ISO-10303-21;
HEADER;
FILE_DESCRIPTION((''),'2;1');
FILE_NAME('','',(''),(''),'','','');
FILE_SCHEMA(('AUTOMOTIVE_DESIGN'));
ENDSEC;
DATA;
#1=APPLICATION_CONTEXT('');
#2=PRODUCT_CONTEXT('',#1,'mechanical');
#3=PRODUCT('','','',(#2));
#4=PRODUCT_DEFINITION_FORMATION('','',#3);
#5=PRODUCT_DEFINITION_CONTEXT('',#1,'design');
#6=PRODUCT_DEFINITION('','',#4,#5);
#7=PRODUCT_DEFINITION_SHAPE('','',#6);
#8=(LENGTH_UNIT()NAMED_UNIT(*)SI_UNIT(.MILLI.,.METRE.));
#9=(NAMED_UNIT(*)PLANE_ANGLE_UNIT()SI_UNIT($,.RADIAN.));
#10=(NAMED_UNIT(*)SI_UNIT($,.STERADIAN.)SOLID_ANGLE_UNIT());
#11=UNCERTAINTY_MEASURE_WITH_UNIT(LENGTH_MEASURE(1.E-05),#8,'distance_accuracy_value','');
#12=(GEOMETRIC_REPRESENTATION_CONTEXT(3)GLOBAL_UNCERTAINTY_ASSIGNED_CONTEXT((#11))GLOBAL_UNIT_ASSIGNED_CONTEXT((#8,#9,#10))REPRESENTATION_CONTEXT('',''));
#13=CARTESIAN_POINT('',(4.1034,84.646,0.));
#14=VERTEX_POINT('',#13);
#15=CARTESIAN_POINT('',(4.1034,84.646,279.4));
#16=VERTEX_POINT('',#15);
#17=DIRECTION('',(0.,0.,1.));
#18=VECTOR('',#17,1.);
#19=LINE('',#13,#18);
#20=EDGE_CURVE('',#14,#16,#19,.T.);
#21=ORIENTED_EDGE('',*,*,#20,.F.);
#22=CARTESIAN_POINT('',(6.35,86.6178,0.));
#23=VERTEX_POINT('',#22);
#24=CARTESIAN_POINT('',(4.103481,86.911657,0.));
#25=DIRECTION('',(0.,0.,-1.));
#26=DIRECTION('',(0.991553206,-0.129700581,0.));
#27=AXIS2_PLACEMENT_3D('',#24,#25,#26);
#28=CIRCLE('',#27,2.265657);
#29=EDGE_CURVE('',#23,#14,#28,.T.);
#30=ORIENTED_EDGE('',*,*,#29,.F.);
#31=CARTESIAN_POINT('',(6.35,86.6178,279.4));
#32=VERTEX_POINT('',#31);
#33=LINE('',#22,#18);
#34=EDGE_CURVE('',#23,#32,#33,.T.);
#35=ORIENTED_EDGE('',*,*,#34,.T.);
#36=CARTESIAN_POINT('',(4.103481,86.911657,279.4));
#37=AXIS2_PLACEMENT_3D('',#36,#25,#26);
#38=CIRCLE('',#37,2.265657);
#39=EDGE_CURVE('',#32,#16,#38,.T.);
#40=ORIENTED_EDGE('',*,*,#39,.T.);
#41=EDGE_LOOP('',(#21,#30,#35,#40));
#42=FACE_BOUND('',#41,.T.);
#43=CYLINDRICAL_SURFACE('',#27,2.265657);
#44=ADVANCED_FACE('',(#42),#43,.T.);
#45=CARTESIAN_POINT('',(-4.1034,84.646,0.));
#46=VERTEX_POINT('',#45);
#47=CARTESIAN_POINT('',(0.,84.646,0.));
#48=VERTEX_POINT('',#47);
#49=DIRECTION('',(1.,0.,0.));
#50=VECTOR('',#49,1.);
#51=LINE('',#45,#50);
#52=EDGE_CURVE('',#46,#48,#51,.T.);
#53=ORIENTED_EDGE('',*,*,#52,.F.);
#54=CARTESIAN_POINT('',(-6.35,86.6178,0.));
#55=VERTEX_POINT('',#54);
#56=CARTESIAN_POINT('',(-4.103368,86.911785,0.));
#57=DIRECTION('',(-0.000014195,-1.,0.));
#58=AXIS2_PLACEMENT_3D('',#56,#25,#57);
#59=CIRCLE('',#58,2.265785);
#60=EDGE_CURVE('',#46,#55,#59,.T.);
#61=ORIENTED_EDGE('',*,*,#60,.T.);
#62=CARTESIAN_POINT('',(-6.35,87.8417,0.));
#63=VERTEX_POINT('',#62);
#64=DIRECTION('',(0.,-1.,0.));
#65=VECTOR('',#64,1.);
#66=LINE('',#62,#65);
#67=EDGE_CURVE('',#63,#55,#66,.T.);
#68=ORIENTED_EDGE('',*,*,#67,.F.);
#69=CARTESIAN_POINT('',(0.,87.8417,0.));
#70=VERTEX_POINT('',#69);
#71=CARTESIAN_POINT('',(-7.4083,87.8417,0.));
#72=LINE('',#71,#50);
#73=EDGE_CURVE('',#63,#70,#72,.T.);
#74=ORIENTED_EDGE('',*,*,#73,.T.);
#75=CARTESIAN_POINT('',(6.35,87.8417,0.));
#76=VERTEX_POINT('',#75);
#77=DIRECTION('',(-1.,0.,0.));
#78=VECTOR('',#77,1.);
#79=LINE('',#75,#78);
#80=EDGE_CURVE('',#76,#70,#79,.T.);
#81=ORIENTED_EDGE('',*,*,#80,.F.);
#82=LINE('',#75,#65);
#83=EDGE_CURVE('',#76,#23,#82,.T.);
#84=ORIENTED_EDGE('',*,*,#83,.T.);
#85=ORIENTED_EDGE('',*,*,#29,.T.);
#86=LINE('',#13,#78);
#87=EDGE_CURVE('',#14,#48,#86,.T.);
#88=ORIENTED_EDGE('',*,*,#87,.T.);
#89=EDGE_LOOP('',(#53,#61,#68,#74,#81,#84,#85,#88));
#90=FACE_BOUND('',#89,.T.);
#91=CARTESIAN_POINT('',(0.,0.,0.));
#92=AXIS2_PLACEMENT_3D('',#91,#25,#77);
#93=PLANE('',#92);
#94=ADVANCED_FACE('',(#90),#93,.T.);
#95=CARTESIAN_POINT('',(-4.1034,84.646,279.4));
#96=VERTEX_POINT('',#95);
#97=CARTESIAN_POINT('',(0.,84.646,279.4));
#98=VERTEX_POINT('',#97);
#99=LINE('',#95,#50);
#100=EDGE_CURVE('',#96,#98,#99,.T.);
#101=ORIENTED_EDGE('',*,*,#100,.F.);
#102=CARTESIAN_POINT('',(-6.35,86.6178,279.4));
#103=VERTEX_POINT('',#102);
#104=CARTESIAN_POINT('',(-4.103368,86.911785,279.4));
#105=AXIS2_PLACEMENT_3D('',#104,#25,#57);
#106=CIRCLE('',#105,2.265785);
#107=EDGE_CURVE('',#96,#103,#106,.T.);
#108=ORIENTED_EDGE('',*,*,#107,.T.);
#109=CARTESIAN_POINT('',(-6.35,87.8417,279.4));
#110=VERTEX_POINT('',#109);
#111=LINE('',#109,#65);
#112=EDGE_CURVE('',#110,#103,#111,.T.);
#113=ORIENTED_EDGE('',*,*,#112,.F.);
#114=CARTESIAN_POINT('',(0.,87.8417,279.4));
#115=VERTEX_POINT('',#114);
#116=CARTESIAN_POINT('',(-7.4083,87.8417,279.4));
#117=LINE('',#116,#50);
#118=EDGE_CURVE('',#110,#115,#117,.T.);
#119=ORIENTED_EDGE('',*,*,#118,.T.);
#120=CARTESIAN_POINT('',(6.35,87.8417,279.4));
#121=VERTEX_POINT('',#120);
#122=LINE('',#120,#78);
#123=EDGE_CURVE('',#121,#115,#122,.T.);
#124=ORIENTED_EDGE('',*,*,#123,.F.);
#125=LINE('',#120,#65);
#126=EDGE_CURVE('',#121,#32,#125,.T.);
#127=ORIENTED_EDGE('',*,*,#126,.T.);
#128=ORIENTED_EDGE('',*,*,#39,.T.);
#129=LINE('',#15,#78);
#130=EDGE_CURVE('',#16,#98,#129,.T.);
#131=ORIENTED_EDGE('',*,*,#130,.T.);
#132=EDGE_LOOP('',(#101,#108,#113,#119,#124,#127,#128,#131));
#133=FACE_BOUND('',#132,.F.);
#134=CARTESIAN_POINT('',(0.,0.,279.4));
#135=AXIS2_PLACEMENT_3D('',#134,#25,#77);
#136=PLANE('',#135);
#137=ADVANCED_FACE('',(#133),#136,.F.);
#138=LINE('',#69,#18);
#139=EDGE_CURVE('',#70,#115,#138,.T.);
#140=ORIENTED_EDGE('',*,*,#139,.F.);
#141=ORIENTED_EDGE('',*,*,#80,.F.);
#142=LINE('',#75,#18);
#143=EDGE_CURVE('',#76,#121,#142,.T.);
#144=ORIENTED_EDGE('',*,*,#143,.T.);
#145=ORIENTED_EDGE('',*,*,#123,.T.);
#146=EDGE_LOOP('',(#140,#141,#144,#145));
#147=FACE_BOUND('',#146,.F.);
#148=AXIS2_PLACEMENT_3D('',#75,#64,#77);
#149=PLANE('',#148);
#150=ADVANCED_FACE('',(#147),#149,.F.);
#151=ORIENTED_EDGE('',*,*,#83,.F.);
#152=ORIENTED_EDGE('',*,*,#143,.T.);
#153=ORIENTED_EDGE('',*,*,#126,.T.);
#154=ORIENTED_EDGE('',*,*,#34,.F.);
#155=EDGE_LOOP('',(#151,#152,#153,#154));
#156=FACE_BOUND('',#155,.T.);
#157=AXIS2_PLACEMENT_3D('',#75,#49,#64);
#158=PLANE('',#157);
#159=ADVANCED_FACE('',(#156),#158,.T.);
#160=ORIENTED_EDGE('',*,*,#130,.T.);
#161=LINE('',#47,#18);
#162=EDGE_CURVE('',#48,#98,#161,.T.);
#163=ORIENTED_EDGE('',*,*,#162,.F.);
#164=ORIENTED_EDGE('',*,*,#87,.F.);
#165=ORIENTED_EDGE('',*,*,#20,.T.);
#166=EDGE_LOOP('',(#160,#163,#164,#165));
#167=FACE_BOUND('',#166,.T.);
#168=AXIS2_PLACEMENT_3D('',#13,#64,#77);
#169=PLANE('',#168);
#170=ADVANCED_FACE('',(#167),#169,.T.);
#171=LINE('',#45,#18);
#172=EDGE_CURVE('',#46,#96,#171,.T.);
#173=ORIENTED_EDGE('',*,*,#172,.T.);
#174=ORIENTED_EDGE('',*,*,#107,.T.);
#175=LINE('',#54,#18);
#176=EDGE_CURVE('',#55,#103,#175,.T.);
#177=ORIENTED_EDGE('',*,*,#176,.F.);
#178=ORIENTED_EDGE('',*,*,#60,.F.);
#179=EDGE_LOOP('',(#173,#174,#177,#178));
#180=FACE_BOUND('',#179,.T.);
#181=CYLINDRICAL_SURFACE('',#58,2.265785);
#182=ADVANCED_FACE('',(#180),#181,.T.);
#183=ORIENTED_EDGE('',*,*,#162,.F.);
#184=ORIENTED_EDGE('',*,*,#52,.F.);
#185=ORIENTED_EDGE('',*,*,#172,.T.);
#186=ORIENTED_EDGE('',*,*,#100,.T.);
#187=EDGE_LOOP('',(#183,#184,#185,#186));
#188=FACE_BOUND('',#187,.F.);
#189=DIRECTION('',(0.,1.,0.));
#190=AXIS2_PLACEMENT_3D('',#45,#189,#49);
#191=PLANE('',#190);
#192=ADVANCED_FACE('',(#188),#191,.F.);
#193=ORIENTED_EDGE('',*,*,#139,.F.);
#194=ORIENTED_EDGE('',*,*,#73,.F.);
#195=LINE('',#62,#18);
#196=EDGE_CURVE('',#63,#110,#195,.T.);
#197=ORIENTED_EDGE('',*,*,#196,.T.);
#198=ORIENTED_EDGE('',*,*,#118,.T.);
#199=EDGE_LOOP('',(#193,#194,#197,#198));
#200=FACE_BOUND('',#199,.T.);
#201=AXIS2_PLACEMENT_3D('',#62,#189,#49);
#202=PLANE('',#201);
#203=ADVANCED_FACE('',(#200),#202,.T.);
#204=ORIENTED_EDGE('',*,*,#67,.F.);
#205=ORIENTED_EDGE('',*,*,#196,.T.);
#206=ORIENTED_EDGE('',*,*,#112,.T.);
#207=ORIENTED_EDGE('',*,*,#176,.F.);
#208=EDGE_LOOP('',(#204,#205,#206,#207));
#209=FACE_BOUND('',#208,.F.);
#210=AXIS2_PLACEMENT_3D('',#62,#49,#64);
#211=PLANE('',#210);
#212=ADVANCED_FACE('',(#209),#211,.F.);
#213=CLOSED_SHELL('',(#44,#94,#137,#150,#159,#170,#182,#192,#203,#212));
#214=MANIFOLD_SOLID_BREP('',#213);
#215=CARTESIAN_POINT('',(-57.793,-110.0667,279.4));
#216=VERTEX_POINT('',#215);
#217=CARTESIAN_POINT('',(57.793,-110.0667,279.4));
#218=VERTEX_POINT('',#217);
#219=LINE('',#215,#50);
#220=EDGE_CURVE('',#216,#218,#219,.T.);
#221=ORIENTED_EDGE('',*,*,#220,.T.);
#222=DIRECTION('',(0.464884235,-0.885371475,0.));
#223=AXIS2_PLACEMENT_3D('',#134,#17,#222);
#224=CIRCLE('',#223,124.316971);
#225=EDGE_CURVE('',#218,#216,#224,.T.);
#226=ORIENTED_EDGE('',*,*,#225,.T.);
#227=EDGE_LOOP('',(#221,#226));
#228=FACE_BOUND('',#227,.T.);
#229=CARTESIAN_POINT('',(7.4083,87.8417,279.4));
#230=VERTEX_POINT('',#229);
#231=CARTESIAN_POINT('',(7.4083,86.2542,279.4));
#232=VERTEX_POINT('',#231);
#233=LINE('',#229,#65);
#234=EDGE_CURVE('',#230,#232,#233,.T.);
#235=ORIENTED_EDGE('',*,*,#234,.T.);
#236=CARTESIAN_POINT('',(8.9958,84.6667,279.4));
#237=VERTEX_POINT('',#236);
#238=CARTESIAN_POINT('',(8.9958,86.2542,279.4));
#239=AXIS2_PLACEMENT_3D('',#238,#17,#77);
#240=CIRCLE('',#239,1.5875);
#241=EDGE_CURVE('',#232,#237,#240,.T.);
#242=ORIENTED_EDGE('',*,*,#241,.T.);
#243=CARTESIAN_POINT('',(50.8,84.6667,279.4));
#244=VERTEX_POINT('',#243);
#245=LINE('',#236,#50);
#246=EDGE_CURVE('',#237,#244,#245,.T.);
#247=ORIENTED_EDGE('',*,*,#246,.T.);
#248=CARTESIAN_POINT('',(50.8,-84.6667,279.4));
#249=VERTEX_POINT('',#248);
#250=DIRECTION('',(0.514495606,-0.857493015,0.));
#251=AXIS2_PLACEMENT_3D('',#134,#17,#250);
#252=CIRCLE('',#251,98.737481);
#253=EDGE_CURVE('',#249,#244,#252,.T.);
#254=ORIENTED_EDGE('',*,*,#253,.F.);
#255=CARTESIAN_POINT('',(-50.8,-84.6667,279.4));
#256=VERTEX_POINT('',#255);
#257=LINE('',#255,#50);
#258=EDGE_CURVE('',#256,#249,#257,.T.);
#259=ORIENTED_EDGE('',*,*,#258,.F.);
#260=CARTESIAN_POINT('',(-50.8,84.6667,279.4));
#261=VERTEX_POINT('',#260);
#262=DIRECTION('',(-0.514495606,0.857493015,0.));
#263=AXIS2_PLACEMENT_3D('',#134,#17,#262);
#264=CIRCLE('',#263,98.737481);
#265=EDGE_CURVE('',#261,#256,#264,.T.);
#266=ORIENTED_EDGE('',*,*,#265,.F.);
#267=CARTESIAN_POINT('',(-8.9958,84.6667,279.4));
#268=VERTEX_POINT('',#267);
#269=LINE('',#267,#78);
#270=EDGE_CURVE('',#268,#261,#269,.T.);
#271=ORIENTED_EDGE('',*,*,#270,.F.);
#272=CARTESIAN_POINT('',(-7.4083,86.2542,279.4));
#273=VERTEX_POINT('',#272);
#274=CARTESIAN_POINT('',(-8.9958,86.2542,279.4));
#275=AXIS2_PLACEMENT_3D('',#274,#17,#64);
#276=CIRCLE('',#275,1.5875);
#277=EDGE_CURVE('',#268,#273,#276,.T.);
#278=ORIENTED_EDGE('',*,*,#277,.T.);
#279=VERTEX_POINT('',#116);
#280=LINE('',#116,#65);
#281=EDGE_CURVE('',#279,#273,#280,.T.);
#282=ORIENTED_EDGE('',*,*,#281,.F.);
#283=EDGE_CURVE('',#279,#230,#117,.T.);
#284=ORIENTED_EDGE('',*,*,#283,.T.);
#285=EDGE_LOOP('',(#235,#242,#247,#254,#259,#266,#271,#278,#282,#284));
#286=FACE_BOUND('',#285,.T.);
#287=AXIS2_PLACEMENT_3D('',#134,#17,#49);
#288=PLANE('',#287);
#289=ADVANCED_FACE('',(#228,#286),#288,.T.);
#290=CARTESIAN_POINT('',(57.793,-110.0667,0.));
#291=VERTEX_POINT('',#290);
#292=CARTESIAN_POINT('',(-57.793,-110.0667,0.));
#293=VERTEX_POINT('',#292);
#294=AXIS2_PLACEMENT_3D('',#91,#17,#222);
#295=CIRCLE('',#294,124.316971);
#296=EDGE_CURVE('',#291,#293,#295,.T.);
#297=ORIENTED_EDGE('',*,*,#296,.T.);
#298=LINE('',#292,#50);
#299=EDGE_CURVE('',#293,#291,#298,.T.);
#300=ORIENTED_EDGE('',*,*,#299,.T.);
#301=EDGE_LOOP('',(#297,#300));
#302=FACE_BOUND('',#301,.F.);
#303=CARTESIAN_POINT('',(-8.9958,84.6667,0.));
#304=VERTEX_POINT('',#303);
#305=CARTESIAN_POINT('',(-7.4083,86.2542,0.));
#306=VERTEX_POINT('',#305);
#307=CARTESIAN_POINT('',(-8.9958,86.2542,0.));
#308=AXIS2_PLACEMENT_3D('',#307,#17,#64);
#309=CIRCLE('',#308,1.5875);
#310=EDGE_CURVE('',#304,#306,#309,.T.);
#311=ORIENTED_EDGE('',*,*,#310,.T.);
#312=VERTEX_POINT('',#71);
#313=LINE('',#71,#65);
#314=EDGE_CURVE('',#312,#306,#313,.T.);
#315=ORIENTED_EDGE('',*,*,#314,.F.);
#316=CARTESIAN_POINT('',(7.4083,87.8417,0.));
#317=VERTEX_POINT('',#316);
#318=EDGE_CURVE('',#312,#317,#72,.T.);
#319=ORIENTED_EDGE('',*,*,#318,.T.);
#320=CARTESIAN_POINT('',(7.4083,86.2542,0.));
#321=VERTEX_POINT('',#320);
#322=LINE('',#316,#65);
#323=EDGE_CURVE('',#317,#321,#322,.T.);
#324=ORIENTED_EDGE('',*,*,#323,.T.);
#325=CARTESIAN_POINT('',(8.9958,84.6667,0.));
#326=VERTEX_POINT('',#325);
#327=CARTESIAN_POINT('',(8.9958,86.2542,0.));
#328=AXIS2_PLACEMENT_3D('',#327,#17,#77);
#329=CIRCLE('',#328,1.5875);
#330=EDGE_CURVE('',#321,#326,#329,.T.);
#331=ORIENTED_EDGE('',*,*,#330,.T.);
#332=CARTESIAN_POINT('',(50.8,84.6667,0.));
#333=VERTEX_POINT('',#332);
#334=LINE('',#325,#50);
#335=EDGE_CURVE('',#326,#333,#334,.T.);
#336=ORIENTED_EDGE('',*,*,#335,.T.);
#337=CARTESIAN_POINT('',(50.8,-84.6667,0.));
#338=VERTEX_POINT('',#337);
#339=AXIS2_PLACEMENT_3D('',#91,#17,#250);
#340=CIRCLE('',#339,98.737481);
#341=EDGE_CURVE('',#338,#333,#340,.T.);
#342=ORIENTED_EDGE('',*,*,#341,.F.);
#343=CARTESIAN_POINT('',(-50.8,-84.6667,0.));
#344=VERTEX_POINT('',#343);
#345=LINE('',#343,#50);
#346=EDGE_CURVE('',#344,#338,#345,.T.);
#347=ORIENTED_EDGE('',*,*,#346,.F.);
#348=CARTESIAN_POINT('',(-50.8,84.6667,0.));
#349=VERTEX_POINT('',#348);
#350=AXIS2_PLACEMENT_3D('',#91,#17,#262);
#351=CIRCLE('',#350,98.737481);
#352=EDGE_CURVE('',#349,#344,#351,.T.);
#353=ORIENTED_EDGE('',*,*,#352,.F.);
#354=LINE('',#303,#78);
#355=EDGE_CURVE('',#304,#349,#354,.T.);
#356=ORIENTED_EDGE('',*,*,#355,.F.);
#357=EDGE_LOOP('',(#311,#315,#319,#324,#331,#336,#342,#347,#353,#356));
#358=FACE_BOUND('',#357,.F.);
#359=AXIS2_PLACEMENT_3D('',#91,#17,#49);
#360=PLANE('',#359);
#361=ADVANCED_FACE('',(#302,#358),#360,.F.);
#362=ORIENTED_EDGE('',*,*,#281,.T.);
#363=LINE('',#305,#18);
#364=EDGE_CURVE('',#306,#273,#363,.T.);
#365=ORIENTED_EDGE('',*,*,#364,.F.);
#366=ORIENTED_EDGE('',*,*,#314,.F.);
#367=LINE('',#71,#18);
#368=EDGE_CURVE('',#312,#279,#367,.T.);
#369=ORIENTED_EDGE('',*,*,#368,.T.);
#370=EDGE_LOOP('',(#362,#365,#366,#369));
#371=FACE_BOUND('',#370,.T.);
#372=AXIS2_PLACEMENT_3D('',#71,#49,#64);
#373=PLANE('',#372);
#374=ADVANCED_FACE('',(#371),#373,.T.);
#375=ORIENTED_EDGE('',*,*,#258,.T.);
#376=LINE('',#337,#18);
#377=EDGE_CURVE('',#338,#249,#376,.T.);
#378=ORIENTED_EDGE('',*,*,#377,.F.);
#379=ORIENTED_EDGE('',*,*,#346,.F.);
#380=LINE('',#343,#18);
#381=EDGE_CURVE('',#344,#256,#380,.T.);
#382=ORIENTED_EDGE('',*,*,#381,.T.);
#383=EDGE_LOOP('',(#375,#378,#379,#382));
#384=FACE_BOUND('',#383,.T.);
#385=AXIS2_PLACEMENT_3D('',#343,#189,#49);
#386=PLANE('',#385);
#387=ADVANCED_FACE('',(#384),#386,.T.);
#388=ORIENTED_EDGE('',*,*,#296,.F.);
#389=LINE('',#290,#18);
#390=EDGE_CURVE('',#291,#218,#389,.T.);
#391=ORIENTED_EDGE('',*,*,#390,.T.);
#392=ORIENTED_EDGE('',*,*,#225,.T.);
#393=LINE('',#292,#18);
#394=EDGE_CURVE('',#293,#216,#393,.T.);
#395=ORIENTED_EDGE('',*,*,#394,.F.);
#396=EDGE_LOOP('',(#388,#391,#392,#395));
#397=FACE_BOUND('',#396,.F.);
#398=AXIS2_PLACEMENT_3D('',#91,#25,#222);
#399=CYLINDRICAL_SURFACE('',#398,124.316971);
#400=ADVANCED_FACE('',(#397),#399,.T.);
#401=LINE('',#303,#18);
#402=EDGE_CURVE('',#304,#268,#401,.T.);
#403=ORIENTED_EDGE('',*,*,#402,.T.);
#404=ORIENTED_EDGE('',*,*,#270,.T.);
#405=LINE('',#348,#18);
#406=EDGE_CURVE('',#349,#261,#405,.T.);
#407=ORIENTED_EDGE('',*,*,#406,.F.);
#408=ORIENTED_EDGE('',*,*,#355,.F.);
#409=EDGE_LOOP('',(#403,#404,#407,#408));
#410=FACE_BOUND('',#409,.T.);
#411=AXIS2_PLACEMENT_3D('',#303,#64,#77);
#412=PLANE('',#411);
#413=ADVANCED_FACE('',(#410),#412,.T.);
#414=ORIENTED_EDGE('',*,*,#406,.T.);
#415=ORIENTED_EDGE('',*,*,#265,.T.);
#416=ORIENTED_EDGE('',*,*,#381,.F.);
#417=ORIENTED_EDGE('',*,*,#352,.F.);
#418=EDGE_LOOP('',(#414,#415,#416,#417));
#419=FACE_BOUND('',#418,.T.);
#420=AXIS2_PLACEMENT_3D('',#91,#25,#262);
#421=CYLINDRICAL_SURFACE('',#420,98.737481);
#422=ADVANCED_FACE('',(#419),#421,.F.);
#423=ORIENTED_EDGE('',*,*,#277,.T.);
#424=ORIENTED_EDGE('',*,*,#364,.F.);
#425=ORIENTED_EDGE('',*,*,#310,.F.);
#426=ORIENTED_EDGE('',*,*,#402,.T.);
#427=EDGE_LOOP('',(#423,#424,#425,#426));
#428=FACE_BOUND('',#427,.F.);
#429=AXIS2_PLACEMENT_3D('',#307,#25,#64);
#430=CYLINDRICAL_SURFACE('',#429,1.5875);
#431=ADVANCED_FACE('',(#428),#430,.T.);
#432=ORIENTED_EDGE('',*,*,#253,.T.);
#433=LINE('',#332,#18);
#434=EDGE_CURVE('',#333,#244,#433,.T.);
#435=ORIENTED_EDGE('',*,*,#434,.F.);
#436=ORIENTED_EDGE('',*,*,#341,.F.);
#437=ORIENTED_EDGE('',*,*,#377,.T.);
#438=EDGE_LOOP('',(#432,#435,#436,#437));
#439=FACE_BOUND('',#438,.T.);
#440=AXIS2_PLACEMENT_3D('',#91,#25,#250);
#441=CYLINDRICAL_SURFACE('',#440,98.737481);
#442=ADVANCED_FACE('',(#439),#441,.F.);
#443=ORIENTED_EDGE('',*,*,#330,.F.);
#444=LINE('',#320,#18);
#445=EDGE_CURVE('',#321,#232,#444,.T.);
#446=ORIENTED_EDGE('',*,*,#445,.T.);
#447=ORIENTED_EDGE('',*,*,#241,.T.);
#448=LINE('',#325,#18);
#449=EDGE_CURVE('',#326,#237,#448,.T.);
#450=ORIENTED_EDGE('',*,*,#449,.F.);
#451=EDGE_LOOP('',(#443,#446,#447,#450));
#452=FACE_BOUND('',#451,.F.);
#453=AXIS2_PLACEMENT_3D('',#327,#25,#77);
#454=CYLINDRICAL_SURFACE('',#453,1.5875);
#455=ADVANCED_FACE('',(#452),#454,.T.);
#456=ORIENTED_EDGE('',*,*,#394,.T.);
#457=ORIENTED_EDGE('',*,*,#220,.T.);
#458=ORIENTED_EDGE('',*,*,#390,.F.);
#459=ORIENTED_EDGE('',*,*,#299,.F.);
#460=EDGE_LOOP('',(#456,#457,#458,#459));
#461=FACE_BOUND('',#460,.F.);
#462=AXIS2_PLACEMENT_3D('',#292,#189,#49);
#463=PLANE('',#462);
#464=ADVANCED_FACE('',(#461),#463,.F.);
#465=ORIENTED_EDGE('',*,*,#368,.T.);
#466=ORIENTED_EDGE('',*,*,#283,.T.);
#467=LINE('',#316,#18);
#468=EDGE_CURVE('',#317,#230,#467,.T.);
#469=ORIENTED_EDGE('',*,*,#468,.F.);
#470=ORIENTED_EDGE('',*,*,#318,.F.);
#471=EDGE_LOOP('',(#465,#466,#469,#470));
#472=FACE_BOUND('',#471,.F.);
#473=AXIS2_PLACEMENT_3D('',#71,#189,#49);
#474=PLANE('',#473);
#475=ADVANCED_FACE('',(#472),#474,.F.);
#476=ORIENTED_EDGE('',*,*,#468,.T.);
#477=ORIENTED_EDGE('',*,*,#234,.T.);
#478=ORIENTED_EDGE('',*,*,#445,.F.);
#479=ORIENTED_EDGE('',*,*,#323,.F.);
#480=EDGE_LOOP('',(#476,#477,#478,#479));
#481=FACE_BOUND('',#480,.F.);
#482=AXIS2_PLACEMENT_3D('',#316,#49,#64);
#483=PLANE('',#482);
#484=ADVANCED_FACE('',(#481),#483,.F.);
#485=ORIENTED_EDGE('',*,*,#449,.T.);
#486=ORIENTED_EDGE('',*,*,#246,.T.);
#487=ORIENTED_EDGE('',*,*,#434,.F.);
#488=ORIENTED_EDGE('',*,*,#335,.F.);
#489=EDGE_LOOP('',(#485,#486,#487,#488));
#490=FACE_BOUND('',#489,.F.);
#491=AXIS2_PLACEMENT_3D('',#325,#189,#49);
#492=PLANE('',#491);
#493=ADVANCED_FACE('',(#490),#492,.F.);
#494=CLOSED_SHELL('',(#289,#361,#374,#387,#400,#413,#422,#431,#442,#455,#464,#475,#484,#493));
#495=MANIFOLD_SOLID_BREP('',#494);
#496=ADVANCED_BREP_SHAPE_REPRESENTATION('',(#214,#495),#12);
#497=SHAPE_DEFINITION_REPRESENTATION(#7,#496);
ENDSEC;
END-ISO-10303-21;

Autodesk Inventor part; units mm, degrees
ref_plane "YZ Plane" through (0, 0, 0) normal (1, 0, 0) x (0, 1, 0)
ref_plane "XZ Plane" through (0, 0, 0) normal (0, 1, 0) x (-1, 0, 0)
ref_plane "XY Plane" through (0, 0, 0) normal (0, 0, 1) x (1, 0, 0)
sketch "Sketch1" plane through (0, 0, 0) normal (0, 0, 1) x (1, 0, 0)
  line L0 (-50.8, -84.6667) -> (50.8, -84.6667)
  arc A0 (57.793, -110.0667) -> (-57.793, -110.0667) centre (0, 0) ccw
  arc A1 (-50.8, 84.6667) -> (-50.8, -84.6667) centre (0, 0) ccw
  arc A2 (50.8, -84.6667) -> (50.8, 84.6667) centre (0, 0) ccw
  line L1 (-57.793, -110.0667) -> (57.793, -110.0667)
  line L2 (0, 84.6667) -> (0, 87.8417) construction
  line L3 (-7.4083, 87.8417) -> (7.4083, 87.8417)
  line L4 (-7.4083, 87.8417) -> (-7.4083, 86.2542)
  line L5 (7.4083, 87.8417) -> (7.4083, 86.2542)
  line L6 (8.9958, 84.6667) -> (50.8, 84.6667)
  line L7 (-8.9958, 84.6667) -> (8.9958, 84.6667) construction
  arc A3 (7.4083, 86.2542) -> (8.9958, 84.6667) centre (8.9958, 86.2542) ccw
  arc A4 (-8.9958, 84.6667) -> (-7.4083, 86.2542) centre (-8.9958, 86.2542) ccw
  line L8 (-8.9958, 84.6667) -> (-50.8, 84.6667)
  dimension "d1" = 101.6
  dimension "d20" = 25.4
  dimension "d21" = 124.3169
  dimension "d23" = 14.8167
  dimension "d27" = 98.7374
  dimension "d28" = 98.7374
  dimension "d30" = 43.3917
  dimension "d39" = 1.5875
  dimension "d40" = 1.5875
  dimension "d41" = 41.8042
  dimension "d44" = 3.175
extrude "corridor" add sketch "Sketch1" along normal blind 279.4
sketch "Sketch5" plane through (0, 0, 0) normal (0, 0, -1) x (-1, 0, 0)
  line L0 (-6.35, 87.8417) -> (0, 87.8417)
  line L1 (7.4083, 87.8417) -> (-7.4083, 87.8417) projected
  line L2 (-6.35, 87.8417) -> (-6.35, 86.6178)
  line L3 (-4.1034, 84.646) -> (0, 84.646)
  line L4 (0, 84.646) -> (0, 87.8417) construction
  line L5 (-6.3485, 84.6667) -> (-3.1743, 87.8409) construction
  arc A0 (-3.1736, 84.646) -> (-6.35, 87.8417) centre (-6.3485, 84.6667) ccw construction
  arc A1 (-6.35, 86.6178) -> (-4.1034, 84.646) centre (-4.1034, 86.9117) ccw
  line L6 (6.35, 87.8417) -> (0, 87.8417)
  line L7 (6.35, 87.8417) -> (6.35, 86.6178)
  line L8 (4.1034, 84.646) -> (0, 84.646)
  line L9 (6.3485, 84.6667) -> (3.1743, 87.8409) construction
  arc A2 (6.35, 87.8417) -> (3.1736, 84.646) centre (6.3485, 84.6667) ccw construction
  arc A3 (4.1034, 84.646) -> (6.35, 86.6178) centre (4.1034, 86.9117) ccw
  point P0 (0, 0)
  dimension "d31" = 6.35
  dimension "d32" = 3.175
  dimension "d34" = 45
  dimension "d35" = 2.2657
  dimension "d36" = 2.2466
  dimension "d45" = 1.2238
extrude "light" add sketch "Sketch5" against normal up to surface (279.4 mm away) separate body
equation "\"d28\" = d27"
equation "\"d39\" = 0.5 * d26"
equation "\"d26\" = 3.175"
properties part number "corridor"
